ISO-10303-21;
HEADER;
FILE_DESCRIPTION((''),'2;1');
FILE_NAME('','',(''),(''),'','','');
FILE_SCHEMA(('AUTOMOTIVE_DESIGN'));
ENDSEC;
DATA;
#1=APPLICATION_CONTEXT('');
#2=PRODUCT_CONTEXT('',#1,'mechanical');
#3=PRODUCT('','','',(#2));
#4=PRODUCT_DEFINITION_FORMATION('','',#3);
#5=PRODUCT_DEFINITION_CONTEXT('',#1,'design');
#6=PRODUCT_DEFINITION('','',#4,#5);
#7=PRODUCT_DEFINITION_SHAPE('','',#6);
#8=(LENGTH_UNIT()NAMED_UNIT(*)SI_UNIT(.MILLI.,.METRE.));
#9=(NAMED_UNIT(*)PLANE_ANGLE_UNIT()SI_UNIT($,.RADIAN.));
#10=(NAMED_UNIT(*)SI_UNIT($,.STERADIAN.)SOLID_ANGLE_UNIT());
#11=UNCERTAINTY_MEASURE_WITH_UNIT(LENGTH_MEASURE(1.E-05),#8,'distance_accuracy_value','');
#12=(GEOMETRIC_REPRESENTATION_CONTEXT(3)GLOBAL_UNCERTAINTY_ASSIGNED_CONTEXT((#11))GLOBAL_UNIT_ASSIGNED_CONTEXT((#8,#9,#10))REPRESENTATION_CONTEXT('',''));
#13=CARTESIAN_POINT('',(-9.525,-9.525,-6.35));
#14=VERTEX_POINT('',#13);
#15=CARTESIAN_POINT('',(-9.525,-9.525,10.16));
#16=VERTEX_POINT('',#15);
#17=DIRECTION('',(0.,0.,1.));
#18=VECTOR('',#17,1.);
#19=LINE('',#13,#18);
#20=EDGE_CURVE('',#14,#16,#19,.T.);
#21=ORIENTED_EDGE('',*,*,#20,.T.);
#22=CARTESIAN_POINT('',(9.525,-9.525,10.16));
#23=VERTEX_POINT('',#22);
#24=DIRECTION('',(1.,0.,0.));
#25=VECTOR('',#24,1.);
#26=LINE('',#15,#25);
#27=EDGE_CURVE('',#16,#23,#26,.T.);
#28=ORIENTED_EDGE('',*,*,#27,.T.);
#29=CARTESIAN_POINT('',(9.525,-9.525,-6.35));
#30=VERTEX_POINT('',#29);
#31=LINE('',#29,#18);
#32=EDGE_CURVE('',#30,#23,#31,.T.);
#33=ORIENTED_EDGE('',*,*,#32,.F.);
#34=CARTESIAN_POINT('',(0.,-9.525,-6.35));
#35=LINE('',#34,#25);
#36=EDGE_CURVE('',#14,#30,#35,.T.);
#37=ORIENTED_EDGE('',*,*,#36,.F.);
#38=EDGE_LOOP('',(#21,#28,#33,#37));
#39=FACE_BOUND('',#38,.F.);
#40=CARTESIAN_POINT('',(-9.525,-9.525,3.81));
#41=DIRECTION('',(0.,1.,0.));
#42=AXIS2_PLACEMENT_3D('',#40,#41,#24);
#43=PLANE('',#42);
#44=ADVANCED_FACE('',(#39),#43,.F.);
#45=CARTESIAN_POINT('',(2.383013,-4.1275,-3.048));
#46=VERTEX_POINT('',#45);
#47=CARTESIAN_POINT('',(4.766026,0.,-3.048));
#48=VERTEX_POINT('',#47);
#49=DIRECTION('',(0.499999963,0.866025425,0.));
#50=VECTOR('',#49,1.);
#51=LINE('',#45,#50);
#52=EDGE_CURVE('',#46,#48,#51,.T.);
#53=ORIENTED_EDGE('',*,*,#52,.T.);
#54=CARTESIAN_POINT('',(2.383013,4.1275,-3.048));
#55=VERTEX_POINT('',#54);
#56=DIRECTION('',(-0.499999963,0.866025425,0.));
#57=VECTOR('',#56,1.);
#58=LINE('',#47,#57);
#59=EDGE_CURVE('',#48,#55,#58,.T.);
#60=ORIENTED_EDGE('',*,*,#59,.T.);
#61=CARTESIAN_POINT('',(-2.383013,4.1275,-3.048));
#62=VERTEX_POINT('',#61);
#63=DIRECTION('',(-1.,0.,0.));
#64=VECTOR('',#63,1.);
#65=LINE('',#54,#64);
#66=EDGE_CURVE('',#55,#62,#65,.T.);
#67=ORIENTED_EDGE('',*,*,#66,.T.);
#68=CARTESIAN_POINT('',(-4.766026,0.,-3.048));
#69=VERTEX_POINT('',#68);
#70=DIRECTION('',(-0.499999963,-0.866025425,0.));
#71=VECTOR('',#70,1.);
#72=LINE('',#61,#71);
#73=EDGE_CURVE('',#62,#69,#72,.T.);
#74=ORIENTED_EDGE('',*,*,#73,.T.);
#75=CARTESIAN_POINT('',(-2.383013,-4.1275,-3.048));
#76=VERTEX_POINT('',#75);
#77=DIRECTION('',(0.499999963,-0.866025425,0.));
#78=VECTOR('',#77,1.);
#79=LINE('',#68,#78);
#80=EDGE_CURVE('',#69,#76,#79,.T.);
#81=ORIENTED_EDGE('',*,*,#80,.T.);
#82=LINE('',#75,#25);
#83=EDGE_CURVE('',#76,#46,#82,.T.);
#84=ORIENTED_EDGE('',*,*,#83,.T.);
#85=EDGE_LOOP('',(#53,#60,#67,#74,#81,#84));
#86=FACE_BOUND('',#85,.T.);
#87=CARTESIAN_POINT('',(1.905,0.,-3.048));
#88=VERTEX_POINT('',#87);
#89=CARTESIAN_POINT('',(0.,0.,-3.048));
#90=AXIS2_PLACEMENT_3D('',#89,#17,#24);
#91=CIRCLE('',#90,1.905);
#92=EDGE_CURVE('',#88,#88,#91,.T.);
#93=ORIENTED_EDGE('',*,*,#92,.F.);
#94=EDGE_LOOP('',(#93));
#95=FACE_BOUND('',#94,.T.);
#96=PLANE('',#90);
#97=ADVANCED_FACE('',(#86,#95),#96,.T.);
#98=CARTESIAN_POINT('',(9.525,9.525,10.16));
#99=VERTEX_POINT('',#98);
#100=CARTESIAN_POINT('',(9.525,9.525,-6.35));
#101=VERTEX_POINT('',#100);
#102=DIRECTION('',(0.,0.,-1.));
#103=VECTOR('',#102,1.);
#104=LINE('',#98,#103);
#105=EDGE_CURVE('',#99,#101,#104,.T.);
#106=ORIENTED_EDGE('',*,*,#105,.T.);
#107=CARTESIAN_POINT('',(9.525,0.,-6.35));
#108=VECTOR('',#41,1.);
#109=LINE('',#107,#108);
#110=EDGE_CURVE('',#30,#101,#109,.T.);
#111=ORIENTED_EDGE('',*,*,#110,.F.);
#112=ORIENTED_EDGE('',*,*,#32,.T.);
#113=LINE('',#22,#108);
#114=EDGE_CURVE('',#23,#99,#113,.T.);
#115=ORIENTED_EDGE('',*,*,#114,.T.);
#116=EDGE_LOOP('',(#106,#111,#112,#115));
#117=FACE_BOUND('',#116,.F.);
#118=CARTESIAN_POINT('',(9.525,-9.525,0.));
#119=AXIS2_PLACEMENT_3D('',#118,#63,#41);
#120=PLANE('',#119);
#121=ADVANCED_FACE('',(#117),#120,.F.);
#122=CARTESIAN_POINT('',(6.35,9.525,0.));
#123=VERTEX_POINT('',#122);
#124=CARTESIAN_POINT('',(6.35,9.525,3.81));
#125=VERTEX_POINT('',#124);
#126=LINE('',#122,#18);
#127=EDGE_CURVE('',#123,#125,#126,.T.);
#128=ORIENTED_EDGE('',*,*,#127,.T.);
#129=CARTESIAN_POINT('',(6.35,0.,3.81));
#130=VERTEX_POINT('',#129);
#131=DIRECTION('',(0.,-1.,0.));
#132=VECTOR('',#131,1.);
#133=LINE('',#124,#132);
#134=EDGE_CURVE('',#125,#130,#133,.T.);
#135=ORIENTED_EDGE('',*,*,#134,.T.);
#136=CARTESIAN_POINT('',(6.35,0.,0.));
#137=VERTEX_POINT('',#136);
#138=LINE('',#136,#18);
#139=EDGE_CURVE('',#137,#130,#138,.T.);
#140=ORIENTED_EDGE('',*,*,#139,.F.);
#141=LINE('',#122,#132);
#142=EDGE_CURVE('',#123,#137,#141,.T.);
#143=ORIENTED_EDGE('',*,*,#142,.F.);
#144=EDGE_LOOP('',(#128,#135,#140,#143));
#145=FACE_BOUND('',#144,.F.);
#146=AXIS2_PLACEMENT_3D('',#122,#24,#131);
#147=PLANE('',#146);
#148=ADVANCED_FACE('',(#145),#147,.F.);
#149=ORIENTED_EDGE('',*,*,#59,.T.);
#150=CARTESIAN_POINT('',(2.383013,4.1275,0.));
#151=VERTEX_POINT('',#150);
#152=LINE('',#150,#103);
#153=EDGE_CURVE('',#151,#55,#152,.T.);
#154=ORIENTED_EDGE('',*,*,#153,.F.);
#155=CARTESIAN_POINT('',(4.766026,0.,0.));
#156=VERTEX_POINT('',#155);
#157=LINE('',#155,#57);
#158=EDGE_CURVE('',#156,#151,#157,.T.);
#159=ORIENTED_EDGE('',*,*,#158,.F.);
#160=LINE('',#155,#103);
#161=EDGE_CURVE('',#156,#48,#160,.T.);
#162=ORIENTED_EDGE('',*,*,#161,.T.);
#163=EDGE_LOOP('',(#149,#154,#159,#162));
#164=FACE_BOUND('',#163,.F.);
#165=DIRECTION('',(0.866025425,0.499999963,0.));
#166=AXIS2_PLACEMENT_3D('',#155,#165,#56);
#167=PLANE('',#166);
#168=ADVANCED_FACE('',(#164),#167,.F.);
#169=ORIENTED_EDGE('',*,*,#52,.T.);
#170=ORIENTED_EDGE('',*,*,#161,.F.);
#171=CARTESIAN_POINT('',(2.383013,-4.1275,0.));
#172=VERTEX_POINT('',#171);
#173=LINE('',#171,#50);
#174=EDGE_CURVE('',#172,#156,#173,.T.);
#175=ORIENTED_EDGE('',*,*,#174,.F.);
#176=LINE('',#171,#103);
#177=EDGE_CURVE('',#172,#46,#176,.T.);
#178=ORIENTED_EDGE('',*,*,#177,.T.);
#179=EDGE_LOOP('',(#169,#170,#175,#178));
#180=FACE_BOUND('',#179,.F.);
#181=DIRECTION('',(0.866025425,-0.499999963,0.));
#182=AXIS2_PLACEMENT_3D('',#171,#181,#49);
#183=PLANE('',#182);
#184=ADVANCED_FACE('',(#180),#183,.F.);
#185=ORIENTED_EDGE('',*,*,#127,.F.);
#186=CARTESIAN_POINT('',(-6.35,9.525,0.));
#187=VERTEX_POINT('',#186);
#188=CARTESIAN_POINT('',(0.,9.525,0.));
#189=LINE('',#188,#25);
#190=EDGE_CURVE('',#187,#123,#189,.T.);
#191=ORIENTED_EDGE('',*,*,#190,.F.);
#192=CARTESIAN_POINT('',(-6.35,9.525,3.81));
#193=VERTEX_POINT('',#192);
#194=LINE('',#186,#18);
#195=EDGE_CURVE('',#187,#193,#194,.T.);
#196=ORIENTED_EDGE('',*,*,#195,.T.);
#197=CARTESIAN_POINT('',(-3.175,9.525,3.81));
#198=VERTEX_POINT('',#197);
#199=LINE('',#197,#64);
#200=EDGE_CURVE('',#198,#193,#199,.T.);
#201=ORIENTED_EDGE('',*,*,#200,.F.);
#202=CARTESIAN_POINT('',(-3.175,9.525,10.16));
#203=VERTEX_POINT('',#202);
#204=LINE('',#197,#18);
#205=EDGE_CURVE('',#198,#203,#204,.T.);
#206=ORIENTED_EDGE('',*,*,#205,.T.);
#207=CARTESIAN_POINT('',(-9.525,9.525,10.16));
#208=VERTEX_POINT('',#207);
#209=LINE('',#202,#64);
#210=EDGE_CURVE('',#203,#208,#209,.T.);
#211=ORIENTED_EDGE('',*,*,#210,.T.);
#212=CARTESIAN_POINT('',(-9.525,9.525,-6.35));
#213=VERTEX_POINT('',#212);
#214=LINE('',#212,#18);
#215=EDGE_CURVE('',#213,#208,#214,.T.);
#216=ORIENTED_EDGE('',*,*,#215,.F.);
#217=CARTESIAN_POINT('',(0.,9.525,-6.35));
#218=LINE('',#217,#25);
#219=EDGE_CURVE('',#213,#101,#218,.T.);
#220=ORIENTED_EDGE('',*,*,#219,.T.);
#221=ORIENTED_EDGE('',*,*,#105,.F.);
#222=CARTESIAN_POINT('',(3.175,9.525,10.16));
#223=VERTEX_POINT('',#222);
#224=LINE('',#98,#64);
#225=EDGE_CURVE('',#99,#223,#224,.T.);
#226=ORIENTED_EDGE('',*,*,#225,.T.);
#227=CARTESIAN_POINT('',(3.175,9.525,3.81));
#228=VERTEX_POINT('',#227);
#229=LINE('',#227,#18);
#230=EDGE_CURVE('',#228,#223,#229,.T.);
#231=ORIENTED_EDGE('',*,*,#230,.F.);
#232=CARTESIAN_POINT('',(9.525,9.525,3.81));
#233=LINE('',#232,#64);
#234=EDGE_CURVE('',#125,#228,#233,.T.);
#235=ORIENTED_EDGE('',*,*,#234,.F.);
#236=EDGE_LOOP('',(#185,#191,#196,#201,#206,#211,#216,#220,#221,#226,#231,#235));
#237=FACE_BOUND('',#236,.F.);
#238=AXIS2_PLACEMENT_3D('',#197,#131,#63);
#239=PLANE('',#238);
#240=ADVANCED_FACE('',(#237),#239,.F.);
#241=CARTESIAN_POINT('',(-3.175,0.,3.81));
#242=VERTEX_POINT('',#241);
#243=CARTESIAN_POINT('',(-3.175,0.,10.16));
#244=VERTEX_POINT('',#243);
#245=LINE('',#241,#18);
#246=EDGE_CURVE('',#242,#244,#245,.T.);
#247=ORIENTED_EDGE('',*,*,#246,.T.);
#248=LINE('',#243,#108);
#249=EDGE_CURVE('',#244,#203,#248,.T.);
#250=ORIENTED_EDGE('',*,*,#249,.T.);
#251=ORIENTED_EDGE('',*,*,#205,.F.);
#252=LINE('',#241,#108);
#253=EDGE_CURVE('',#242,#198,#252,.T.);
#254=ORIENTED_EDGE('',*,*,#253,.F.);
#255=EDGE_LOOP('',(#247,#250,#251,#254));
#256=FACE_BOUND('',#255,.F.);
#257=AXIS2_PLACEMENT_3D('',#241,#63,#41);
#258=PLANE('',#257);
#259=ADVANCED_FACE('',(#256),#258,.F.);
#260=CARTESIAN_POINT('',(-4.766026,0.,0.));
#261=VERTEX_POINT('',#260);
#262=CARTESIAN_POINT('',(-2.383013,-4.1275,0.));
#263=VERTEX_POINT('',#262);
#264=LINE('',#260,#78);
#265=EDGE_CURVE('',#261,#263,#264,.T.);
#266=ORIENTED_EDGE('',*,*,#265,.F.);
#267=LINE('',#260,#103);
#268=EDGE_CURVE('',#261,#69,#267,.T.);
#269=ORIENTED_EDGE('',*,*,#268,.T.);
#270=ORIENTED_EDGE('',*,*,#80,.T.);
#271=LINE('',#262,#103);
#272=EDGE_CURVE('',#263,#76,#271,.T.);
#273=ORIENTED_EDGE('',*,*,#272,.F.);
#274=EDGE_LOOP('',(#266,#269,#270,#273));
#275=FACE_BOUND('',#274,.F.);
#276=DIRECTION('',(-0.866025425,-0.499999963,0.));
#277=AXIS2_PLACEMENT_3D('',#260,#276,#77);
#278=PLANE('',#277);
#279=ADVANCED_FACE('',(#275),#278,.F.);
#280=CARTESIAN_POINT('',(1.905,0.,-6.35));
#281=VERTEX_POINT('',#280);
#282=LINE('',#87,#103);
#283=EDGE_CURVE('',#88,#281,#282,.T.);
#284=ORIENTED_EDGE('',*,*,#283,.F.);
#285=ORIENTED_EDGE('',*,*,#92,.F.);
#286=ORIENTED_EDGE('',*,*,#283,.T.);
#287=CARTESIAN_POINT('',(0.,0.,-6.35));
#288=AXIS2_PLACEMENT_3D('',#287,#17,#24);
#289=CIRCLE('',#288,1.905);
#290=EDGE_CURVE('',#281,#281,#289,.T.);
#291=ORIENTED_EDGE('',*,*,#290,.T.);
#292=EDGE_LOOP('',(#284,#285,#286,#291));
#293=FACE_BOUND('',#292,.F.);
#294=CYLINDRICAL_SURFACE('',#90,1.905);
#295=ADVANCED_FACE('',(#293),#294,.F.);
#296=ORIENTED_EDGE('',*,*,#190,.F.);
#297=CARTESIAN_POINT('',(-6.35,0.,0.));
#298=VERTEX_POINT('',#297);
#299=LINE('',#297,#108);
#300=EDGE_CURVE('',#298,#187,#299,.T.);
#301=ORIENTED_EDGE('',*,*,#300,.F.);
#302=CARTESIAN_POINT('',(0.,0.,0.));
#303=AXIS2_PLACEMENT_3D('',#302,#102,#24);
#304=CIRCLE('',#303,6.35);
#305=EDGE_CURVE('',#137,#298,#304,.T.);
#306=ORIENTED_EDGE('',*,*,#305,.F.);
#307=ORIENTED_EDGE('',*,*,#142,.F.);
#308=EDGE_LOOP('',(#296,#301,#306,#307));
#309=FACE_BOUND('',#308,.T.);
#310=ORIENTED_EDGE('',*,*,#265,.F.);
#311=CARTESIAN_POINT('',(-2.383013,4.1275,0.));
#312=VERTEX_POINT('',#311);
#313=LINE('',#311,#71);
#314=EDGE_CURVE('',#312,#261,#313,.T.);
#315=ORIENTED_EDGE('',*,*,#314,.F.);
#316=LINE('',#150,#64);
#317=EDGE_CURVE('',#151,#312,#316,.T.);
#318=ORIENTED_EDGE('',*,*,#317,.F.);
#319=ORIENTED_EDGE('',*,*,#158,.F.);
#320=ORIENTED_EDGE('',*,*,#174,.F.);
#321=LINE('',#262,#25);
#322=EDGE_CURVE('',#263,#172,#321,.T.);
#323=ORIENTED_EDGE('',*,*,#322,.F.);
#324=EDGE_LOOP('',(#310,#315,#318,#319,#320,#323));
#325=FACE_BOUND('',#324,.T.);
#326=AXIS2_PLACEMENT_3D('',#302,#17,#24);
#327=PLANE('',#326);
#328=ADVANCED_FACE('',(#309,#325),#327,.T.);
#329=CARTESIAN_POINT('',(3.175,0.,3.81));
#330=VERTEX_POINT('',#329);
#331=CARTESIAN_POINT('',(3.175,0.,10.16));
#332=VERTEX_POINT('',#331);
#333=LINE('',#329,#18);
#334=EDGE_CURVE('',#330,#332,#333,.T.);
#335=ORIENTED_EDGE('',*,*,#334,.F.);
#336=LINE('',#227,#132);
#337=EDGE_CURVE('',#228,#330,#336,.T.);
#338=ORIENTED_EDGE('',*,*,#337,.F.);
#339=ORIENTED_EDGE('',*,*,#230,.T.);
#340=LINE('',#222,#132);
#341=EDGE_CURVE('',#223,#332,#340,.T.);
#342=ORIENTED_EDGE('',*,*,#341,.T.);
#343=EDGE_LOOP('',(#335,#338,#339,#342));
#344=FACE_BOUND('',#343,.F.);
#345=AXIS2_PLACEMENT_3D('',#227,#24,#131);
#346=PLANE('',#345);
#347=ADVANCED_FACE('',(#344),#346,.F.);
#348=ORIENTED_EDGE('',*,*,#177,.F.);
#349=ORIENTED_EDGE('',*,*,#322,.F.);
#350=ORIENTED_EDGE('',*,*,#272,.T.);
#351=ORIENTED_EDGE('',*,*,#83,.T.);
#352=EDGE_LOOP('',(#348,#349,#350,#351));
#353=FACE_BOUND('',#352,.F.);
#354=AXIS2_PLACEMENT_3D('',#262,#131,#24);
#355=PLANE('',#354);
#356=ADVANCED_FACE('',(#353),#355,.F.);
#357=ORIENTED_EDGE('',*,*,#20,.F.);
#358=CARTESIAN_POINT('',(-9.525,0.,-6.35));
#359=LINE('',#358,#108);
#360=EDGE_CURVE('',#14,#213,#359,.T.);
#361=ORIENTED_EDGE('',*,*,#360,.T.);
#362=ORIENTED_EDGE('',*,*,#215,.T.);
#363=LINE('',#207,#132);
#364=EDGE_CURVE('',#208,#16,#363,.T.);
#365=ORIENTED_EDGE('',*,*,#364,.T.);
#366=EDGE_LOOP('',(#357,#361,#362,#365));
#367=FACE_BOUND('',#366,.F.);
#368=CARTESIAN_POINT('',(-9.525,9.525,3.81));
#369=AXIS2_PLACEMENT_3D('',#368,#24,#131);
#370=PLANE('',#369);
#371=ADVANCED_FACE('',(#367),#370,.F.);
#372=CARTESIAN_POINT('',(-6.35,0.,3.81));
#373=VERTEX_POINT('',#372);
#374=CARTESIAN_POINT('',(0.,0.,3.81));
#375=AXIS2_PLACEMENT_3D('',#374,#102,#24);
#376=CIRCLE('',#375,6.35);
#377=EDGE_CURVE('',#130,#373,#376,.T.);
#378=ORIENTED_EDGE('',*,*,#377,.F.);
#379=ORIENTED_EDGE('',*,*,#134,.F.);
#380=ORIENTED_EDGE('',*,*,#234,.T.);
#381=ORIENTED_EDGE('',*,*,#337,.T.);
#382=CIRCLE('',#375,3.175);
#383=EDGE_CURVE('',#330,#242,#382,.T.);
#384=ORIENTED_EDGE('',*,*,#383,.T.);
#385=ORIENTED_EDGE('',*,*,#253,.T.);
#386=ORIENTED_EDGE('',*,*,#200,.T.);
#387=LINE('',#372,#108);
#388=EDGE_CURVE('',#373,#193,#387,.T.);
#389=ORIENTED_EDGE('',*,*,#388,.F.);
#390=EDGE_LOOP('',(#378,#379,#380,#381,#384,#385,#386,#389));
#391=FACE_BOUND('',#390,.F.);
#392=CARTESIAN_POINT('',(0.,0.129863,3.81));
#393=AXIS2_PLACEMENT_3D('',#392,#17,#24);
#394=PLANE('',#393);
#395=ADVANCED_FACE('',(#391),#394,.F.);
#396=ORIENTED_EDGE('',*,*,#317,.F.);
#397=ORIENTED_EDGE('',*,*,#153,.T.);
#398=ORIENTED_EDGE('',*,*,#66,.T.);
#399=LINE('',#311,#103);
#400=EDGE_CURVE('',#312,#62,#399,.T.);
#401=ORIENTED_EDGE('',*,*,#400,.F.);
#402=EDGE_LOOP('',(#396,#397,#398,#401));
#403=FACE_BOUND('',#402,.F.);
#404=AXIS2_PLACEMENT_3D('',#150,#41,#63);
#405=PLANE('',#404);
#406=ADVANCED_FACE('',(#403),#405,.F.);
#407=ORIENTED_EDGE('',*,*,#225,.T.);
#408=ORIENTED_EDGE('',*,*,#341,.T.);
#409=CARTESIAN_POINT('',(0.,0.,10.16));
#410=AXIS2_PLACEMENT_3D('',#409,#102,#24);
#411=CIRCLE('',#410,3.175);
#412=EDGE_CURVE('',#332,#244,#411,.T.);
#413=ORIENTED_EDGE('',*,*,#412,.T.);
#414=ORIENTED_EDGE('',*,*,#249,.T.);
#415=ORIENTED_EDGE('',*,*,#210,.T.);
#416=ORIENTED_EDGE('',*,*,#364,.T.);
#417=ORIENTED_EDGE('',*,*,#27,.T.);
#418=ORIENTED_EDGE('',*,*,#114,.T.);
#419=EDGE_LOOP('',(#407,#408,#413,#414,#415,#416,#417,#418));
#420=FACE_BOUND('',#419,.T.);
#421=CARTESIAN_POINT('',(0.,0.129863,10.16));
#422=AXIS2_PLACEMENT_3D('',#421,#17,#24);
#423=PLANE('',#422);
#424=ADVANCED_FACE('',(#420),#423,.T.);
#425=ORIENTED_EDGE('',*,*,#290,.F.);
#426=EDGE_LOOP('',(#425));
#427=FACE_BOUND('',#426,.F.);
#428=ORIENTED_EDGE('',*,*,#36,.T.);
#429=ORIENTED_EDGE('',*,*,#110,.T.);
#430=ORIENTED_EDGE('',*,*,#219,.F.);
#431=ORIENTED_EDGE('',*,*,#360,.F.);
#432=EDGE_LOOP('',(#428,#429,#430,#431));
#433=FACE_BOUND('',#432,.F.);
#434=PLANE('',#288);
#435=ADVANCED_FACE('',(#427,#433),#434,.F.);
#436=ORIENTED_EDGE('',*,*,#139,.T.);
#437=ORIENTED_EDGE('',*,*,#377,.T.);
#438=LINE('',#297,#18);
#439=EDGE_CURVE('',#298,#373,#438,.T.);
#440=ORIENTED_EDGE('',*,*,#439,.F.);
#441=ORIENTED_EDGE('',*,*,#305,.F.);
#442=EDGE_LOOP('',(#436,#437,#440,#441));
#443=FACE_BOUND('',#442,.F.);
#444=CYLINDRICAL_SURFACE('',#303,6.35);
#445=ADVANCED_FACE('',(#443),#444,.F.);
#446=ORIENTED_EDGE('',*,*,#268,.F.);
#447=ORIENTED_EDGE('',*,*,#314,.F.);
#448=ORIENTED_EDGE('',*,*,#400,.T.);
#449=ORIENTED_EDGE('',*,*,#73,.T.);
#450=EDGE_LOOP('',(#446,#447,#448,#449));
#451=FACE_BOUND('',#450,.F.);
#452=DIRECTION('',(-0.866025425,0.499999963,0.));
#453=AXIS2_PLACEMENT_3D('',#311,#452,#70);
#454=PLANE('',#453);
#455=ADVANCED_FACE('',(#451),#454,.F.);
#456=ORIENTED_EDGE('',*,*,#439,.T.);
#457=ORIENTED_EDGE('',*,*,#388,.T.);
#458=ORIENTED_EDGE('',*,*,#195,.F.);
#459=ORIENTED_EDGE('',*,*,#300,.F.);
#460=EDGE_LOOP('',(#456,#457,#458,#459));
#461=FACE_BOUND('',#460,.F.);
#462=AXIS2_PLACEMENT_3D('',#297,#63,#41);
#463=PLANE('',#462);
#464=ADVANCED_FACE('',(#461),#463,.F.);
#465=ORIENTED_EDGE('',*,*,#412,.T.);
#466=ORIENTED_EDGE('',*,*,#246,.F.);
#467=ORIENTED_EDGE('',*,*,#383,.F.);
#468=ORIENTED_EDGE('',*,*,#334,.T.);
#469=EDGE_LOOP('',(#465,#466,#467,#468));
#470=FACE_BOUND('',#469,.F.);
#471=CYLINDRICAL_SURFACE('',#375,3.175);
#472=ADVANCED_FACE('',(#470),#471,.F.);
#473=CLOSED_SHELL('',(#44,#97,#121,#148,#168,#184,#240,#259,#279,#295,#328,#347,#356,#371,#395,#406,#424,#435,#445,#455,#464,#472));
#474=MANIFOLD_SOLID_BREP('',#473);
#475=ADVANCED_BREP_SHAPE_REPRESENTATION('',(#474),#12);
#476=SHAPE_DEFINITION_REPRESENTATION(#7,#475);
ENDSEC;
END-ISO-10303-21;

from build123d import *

# Parameters (mm, degrees)
F0_W     = 19.05
F0_H     = 19.05
F1_DEPTH = 6.35
F3_DEPTH = 3.81
F5_DEPTH = 6.35
F7_DEPTH = 3.048
F8_R     = 1.905
F9_DEPTH = 3.303


with BuildPart() as f1:
    # F0 (on Top) → F1 (new body)
    with BuildSketch(Plane.XY):
        Rectangle(F0_W, F0_H)
    extrude(amount=-F1_DEPTH)

    # F2 (on face) → F3 (join)
    with BuildSketch(Plane.XY):
        with BuildLine():
            ThreePointArc((6.35, 0), (0, -6.35), (-6.35, 0))
            Line((-6.35, 0), (-6.35, 9.525))
            Line((-6.35, 9.525), (-9.525, 9.525))
            Line((-9.525, 9.525), (-9.525, -9.525))
            Line((-9.525, -9.525), (9.525, -9.525))
            Line((9.525, -9.525), (9.525, 9.525))
            Line((9.525, 9.525), (6.35, 9.525))
            Line((6.35, 9.525), (6.35, 0))
        make_face()
    extrude(amount=F3_DEPTH)

    # F4 (on face) → F5 (join)
    with BuildSketch(Plane.XY.offset(3.81)):
        with BuildLine():
            Line((-3.175, 9.525), (-9.525, 9.525))
            Line((-9.525, 9.525), (-9.525, -9.525))
            Line((-9.525, -9.525), (9.525, -9.525))
            Line((9.525, -9.525), (9.525, 9.525))
            Line((9.525, 9.525), (3.175, 9.525))
            Line((3.175, 9.525), (3.175, 0))
            ThreePointArc((3.175, 0), (0, -3.175), (-3.175, 0))
            Line((-3.175, 0), (-3.175, 9.525))
        make_face()
    extrude(amount=F5_DEPTH)

    # F6 (on face) → F7 (cut)
    with BuildSketch(Plane.XY):
        Polygon((2.383013, -4.1275), (4.766026, 0), (2.383013, 4.1275), (-2.383013, 4.1275), (-4.766026, 0), (-2.383013, -4.1275), align=None)
    extrude(amount=-F7_DEPTH, mode=Mode.SUBTRACT)

    # F8 (on face) → F9 (cut, through all)
    with BuildSketch(Plane.XY.offset(-3.048)):
        Circle(F8_R)
    extrude(amount=-F9_DEPTH, mode=Mode.SUBTRACT)


solid = f1.part
